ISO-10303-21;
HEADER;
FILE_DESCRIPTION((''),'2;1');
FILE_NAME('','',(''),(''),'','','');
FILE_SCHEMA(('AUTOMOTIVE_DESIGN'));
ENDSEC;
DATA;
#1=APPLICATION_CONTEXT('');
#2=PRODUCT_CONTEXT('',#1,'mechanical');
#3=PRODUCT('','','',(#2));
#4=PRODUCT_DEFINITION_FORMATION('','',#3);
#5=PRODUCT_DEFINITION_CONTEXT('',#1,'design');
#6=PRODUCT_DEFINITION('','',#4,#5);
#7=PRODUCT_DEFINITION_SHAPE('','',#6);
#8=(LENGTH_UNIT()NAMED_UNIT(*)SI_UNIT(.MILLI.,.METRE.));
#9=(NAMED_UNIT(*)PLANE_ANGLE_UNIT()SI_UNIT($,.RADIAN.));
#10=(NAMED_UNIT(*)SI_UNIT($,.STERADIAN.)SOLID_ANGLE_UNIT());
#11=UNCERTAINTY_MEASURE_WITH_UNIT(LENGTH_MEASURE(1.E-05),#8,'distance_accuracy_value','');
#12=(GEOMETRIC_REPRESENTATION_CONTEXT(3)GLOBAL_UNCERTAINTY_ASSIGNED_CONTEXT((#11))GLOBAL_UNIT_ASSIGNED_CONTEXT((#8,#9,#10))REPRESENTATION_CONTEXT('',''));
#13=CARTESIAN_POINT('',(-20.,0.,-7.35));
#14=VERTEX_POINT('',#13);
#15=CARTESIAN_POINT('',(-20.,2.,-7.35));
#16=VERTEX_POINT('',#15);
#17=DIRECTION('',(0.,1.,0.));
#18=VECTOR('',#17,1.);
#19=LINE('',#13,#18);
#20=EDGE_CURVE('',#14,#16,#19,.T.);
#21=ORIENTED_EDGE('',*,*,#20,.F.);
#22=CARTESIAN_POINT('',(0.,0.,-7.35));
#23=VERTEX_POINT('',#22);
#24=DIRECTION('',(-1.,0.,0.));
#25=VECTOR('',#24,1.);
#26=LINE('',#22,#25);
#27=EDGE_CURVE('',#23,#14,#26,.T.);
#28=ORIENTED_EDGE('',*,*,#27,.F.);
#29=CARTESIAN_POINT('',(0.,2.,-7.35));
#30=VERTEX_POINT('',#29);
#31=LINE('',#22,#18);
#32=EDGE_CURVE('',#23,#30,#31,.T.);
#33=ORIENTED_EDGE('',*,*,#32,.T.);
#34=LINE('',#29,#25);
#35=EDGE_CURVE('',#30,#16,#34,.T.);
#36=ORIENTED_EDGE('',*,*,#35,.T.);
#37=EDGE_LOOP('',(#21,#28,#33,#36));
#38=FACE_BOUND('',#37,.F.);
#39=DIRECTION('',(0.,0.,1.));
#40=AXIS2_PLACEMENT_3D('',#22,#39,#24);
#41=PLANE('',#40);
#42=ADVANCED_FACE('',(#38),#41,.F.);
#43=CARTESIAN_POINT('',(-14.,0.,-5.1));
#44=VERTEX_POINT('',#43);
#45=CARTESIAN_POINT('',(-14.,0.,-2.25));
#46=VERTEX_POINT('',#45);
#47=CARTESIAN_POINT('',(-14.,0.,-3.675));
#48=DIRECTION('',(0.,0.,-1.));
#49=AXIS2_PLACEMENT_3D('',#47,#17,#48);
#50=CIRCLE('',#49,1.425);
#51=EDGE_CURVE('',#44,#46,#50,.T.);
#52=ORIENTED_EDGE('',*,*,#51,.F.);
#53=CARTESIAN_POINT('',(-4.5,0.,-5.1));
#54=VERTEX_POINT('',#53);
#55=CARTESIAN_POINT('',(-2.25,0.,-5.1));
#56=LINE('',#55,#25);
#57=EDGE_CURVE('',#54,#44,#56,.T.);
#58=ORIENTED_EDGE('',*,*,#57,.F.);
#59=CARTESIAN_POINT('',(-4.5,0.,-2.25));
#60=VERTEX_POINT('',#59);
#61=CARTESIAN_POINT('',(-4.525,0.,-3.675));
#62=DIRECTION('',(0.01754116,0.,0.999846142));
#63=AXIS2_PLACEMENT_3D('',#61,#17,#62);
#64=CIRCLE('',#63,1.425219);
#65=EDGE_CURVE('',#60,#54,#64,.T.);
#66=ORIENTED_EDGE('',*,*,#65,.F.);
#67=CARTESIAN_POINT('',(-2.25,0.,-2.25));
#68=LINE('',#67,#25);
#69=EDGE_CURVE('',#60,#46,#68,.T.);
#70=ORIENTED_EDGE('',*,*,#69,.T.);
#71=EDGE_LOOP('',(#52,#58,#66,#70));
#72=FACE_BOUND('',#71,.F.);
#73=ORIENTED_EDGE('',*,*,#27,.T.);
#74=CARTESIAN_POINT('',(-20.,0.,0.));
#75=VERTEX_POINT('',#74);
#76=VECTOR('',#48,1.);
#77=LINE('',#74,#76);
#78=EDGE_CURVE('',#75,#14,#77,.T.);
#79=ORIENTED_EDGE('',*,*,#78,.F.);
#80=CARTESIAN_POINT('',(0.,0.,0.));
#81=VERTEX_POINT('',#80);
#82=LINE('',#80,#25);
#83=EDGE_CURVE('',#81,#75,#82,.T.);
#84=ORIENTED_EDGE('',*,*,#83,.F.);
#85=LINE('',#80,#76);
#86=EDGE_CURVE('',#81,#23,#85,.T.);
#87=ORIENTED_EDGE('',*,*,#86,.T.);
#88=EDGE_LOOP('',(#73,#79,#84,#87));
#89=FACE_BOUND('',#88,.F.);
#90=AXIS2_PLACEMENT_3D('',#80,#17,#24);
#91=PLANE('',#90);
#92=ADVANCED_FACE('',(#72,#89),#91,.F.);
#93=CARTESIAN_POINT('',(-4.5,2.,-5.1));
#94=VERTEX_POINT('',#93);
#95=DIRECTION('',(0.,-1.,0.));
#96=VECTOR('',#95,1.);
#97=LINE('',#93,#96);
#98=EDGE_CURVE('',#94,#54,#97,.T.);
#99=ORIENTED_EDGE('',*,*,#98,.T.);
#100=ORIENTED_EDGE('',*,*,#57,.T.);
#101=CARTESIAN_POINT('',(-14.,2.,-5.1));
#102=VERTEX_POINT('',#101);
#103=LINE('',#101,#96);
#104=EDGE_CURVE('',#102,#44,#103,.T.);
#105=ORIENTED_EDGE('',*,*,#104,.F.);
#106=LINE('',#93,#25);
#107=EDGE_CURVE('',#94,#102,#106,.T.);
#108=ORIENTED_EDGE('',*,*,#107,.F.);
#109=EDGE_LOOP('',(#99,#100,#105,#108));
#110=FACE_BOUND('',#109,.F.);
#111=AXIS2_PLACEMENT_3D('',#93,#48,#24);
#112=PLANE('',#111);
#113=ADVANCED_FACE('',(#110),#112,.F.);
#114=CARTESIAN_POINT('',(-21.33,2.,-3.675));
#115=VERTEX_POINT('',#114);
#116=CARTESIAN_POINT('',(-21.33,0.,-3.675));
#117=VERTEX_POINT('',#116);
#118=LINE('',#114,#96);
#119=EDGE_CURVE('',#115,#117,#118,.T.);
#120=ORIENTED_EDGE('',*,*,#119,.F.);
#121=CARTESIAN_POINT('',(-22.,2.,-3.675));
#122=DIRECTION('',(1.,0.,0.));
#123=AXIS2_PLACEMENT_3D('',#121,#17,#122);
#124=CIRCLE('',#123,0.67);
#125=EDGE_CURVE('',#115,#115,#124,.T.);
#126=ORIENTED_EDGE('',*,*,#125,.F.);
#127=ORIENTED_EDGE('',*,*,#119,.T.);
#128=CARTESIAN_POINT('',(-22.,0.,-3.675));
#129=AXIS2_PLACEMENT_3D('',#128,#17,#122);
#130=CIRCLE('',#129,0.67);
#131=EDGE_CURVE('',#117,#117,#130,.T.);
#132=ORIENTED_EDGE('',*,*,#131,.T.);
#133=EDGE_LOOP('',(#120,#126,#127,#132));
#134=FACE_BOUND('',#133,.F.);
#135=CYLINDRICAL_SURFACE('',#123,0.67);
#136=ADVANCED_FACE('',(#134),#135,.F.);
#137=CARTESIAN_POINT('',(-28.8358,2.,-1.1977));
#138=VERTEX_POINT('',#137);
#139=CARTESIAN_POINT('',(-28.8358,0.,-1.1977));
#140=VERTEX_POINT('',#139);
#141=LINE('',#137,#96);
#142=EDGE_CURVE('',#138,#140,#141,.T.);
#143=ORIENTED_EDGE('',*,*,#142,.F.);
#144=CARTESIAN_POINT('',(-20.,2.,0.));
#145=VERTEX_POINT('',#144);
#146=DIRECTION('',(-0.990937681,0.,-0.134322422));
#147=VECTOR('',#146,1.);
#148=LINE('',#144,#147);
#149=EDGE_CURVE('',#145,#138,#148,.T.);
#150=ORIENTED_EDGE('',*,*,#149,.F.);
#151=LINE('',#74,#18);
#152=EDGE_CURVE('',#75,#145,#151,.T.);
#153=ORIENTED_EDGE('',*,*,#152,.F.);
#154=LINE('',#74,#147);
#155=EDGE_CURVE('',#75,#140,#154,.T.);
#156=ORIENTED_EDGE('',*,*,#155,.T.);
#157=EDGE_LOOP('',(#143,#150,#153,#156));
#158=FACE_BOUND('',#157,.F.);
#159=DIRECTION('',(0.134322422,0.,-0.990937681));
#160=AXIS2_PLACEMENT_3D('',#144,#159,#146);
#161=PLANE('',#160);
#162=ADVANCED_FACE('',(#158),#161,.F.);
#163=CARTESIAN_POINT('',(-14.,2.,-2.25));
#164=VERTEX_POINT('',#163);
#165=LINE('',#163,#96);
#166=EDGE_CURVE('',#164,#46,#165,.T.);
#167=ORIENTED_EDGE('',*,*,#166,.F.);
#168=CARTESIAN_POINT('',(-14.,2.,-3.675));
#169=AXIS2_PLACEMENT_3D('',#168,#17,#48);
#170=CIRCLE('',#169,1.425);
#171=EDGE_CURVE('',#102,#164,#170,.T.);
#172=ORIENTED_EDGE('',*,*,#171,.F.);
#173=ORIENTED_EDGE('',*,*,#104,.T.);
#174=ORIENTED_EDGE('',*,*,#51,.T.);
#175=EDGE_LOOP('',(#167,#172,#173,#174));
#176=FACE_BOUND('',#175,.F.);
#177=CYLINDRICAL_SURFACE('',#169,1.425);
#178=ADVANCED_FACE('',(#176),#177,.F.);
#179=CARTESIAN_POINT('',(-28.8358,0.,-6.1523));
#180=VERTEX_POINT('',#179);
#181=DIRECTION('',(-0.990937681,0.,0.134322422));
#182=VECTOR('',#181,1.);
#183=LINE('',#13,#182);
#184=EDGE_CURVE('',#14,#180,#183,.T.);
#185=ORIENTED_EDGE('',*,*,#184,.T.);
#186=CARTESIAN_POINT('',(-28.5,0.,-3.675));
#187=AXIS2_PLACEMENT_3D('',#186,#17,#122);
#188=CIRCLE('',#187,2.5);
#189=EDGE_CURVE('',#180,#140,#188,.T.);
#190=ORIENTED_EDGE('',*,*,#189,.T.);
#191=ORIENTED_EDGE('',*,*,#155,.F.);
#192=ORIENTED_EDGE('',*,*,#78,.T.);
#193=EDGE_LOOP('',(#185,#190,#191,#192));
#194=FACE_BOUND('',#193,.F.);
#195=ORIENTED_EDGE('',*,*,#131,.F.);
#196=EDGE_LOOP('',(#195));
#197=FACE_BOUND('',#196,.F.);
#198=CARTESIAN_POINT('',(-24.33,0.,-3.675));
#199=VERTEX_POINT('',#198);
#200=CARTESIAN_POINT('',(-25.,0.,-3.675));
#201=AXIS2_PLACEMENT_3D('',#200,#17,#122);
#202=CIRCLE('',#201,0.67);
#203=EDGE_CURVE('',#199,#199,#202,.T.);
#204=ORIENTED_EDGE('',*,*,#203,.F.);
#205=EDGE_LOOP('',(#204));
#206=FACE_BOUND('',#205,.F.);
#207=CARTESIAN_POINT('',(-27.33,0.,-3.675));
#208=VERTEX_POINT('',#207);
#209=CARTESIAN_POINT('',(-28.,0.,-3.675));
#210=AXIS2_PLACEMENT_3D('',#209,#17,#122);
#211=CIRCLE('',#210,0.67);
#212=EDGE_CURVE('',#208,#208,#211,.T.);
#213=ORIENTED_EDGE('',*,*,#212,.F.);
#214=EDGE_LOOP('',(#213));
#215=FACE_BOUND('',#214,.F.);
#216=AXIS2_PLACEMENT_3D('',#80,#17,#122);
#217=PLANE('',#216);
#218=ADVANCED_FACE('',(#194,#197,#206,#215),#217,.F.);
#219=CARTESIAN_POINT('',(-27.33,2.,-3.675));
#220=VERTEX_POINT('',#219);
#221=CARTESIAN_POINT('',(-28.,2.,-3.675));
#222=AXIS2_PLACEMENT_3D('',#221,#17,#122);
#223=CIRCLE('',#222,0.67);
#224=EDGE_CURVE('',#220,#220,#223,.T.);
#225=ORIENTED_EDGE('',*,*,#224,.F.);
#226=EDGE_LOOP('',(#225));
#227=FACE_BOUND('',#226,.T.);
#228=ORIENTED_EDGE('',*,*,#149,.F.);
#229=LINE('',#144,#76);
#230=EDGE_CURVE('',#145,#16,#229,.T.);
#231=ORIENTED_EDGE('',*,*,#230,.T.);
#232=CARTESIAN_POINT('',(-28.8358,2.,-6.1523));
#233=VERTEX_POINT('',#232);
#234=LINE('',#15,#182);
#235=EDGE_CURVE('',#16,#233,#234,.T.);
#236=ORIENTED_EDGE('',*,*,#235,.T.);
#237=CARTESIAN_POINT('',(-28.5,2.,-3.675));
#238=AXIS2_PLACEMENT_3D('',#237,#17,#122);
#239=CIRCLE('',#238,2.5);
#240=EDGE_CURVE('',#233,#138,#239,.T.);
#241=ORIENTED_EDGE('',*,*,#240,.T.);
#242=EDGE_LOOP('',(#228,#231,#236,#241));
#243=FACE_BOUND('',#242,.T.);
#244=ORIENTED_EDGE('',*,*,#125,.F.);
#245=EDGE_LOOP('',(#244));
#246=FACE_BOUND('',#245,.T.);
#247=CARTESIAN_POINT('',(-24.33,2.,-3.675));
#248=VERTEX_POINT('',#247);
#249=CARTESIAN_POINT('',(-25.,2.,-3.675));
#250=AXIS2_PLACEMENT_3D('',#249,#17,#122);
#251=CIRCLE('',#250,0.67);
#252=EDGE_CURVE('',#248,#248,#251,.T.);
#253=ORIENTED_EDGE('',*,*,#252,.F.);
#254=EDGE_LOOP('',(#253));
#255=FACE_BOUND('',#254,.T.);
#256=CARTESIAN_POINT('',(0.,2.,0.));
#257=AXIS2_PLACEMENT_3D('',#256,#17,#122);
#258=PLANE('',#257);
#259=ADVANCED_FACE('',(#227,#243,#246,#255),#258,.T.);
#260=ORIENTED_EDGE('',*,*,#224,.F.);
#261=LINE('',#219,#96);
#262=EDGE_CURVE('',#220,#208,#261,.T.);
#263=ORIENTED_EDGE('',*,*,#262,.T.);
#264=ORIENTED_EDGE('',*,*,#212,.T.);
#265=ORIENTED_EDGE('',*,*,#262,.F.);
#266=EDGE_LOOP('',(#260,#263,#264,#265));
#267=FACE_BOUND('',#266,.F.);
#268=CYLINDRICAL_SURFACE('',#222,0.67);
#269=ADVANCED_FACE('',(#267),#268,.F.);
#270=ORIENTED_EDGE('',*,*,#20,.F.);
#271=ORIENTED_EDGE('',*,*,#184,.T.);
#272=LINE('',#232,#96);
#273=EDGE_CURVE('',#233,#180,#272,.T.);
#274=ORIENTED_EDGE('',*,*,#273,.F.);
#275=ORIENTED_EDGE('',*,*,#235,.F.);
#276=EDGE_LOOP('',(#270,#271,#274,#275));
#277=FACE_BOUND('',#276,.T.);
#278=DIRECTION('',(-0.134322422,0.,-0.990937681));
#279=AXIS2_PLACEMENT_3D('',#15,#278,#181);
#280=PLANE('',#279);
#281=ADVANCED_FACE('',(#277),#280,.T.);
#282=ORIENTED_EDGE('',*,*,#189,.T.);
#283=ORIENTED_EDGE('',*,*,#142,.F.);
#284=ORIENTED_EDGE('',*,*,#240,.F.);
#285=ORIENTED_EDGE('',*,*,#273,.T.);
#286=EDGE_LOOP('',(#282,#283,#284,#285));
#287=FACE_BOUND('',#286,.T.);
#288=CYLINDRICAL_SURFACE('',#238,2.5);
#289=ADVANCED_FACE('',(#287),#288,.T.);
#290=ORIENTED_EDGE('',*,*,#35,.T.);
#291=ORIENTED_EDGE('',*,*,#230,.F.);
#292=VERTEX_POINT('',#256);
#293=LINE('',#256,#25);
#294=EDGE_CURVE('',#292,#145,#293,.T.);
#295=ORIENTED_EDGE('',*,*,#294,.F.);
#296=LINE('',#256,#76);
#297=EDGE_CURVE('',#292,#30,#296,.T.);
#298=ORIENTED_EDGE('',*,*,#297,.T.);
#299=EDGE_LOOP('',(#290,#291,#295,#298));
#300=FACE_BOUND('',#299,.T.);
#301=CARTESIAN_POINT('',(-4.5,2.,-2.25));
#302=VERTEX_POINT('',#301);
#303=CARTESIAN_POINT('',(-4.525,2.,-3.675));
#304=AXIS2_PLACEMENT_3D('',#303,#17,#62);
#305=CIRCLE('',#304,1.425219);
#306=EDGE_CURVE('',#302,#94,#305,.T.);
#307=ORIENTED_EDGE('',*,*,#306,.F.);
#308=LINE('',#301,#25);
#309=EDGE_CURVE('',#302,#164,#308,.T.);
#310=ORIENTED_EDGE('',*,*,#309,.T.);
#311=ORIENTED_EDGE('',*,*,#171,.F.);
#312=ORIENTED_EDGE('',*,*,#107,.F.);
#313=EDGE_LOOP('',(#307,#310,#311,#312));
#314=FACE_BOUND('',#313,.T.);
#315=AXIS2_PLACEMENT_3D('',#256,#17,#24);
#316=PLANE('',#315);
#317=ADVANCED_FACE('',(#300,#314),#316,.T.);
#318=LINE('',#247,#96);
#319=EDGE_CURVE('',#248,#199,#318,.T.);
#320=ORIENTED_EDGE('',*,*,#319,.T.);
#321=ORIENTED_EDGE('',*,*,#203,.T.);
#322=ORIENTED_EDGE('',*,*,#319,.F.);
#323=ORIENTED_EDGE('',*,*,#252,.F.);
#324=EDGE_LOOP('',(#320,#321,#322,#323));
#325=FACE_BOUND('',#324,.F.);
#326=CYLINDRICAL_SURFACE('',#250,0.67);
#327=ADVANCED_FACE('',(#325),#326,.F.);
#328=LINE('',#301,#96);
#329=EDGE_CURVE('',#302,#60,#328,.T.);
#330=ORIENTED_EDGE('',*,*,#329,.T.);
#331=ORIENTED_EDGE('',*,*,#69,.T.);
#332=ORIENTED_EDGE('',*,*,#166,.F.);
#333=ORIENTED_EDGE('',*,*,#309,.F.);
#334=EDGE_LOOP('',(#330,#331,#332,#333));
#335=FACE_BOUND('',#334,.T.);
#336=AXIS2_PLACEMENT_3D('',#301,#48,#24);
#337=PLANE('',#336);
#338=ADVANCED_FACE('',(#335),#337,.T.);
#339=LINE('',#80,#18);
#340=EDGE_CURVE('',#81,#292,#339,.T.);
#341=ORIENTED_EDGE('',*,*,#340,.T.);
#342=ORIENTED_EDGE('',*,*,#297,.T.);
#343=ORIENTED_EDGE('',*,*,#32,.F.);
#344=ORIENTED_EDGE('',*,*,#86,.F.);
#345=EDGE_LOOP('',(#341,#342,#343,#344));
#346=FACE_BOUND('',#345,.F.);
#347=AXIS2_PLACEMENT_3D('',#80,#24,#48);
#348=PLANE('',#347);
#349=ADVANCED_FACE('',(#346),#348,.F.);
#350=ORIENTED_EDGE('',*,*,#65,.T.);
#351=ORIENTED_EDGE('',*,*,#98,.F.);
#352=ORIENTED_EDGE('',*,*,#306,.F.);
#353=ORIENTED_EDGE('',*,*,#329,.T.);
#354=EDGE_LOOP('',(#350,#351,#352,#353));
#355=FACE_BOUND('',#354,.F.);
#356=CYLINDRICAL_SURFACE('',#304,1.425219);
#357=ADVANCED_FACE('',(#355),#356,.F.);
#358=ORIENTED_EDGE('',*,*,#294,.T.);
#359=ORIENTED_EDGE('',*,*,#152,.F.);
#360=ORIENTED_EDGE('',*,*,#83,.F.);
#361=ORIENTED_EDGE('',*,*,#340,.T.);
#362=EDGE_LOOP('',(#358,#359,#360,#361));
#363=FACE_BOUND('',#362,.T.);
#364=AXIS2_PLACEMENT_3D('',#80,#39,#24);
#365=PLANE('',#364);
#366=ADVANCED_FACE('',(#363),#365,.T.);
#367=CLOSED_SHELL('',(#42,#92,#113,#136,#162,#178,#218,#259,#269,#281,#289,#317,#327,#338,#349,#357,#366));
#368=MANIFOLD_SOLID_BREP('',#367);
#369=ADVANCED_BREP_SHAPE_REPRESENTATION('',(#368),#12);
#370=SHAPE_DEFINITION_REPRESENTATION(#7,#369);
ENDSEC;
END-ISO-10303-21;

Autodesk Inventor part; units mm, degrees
ref_plane "YZ Plane" through (0, 0, 0) normal (1, 0, 0) x (0, 1, 0)
ref_plane "XZ Plane" through (0, 0, 0) normal (0, 1, 0) x (-1, 0, 0)
ref_plane "XY Plane" through (0, 0, 0) normal (0, 0, 1) x (1, 0, 0)
sketch "Sketch1" plane through (0, 0, 0) normal (0, 1, 0) x (-1, 0, 0)
  line L0 (0, 0) -> (20, 0)
  line L1 (0, 0) -> (0, -7.35)
  line L2 (0, -7.35) -> (20, -7.35)
  circle A0 centre (28, -3.675) radius 3
  line L3 (20, -7.35) -> (28, -6.675)
  line L4 (20, 0) -> (28, -0.675)
  dimension "d0" = 20
  dimension "d1" = 7.35
extrude "Extrusion1" add sketch "Sketch1" along normal blind 2
sketch "Sketch3" plane through (0, 2, 0) normal (0, 1, 0) x (1, 0, 0)
  line L0 (0, 0) -> (0, 7.35) projected
  line L1 (-4.5, 2.25) -> (-14, 2.25)
  line L2 (0, 0) -> (0, 3.68)
  line L3 (0, 0) -> (0, 5.1)
  line L4 (-4.5, 5.1) -> (-14, 5.1)
  line L5 (0, 7.35) -> (-20, 7.35) projected
  line L6 (-20, 0) -> (0, 0) projected
  arc A0 (-14, 5.1) -> (-14, 2.25) centre (-14, 3.675) ccw
  arc A1 (-4.5, 2.25) -> (-4.5, 5.1) centre (-4.525, 3.675) ccw
extrude "Extrusion3" cut sketch "Sketch3" against normal blind 10
sketch "Sketch4" plane through (0, 2, 0) normal (0, 1, 0) x (1, 0, 0)
  line L0 (0, 0) -> (-28, 0)
  line L1 (-20, 0) -> (0, 0) projected
  arc A0 (-28, 6.675) -> (-28, 0.675) centre (-28, 3.675) ccw projected
  line L2 (-28, 0) -> (-28, 6.675)
  dimension "d20" = 28
extrude "Extrusion4" cut sketch "Sketch4" against normal blind 10
sketch "Sketch5" plane through (0, 2, 0) normal (0, 1, 0) x (1, 0, 0)
  line L0 (-28, 0.675) -> (-20, 0) projected
  line L1 (-20, 0) -> (-20, 7.35)
  line L2 (-20, 7.35) -> (-28, 6.675) projected
  line L3 (-20, 7.35) -> (-28, 6.675)
  line L4 (-28, 6.675) -> (-28, 0.675)
  line L5 (-28, 0.675) -> (-20, 0)
  point P0 (0, 0)
extrude "Extrusion5" cut sketch "Sketch5" against normal blind 10
sketch "Sketch7" plane through (0, 2, 0) normal (0, 1, 0) x (1, 0, 0)
  line L0 (0, 0) -> (0, 3.675)
  circle A0 centre (-28.5, 3.675) radius 2.5
  line L1 (-20, 0) -> (0, 0) projected
  line L2 (-20, 0) -> (-28.8358, 1.1977)
  line L3 (0, 7.35) -> (-20, 7.35) projected
  line L4 (-20, 7.35) -> (-28.8358, 6.1523)
  line L5 (-20, 7.35) -> (-20, 0) projected
  line L6 (-20, 7.35) -> (-20, 0)
  dimension "d42" = 5
extrude "Extrusion6" add sketch "Sketch7" against normal blind 2
sketch "Sketch8" plane through (0, 2, 0) normal (0, 1, 0) x (1, 0, 0)
  line L0 (0, 0) -> (0, 7.35) projected
  circle A0 centre (-22, 3.675) radius 0.67
  circle A1 centre (-25, 3.675) radius 0.67
  circle A2 centre (-28, 3.675) radius 0.67
  dimension "d46" = 1.34
  dimension "d48" = 1.34
  dimension "d50" = 1.34
extrude "Extrusion7" cut sketch "Sketch8" against normal blind 2
properties part number "MMAE 232 Assignment 2_Servo Horn 1 - Dylan Tamras"
